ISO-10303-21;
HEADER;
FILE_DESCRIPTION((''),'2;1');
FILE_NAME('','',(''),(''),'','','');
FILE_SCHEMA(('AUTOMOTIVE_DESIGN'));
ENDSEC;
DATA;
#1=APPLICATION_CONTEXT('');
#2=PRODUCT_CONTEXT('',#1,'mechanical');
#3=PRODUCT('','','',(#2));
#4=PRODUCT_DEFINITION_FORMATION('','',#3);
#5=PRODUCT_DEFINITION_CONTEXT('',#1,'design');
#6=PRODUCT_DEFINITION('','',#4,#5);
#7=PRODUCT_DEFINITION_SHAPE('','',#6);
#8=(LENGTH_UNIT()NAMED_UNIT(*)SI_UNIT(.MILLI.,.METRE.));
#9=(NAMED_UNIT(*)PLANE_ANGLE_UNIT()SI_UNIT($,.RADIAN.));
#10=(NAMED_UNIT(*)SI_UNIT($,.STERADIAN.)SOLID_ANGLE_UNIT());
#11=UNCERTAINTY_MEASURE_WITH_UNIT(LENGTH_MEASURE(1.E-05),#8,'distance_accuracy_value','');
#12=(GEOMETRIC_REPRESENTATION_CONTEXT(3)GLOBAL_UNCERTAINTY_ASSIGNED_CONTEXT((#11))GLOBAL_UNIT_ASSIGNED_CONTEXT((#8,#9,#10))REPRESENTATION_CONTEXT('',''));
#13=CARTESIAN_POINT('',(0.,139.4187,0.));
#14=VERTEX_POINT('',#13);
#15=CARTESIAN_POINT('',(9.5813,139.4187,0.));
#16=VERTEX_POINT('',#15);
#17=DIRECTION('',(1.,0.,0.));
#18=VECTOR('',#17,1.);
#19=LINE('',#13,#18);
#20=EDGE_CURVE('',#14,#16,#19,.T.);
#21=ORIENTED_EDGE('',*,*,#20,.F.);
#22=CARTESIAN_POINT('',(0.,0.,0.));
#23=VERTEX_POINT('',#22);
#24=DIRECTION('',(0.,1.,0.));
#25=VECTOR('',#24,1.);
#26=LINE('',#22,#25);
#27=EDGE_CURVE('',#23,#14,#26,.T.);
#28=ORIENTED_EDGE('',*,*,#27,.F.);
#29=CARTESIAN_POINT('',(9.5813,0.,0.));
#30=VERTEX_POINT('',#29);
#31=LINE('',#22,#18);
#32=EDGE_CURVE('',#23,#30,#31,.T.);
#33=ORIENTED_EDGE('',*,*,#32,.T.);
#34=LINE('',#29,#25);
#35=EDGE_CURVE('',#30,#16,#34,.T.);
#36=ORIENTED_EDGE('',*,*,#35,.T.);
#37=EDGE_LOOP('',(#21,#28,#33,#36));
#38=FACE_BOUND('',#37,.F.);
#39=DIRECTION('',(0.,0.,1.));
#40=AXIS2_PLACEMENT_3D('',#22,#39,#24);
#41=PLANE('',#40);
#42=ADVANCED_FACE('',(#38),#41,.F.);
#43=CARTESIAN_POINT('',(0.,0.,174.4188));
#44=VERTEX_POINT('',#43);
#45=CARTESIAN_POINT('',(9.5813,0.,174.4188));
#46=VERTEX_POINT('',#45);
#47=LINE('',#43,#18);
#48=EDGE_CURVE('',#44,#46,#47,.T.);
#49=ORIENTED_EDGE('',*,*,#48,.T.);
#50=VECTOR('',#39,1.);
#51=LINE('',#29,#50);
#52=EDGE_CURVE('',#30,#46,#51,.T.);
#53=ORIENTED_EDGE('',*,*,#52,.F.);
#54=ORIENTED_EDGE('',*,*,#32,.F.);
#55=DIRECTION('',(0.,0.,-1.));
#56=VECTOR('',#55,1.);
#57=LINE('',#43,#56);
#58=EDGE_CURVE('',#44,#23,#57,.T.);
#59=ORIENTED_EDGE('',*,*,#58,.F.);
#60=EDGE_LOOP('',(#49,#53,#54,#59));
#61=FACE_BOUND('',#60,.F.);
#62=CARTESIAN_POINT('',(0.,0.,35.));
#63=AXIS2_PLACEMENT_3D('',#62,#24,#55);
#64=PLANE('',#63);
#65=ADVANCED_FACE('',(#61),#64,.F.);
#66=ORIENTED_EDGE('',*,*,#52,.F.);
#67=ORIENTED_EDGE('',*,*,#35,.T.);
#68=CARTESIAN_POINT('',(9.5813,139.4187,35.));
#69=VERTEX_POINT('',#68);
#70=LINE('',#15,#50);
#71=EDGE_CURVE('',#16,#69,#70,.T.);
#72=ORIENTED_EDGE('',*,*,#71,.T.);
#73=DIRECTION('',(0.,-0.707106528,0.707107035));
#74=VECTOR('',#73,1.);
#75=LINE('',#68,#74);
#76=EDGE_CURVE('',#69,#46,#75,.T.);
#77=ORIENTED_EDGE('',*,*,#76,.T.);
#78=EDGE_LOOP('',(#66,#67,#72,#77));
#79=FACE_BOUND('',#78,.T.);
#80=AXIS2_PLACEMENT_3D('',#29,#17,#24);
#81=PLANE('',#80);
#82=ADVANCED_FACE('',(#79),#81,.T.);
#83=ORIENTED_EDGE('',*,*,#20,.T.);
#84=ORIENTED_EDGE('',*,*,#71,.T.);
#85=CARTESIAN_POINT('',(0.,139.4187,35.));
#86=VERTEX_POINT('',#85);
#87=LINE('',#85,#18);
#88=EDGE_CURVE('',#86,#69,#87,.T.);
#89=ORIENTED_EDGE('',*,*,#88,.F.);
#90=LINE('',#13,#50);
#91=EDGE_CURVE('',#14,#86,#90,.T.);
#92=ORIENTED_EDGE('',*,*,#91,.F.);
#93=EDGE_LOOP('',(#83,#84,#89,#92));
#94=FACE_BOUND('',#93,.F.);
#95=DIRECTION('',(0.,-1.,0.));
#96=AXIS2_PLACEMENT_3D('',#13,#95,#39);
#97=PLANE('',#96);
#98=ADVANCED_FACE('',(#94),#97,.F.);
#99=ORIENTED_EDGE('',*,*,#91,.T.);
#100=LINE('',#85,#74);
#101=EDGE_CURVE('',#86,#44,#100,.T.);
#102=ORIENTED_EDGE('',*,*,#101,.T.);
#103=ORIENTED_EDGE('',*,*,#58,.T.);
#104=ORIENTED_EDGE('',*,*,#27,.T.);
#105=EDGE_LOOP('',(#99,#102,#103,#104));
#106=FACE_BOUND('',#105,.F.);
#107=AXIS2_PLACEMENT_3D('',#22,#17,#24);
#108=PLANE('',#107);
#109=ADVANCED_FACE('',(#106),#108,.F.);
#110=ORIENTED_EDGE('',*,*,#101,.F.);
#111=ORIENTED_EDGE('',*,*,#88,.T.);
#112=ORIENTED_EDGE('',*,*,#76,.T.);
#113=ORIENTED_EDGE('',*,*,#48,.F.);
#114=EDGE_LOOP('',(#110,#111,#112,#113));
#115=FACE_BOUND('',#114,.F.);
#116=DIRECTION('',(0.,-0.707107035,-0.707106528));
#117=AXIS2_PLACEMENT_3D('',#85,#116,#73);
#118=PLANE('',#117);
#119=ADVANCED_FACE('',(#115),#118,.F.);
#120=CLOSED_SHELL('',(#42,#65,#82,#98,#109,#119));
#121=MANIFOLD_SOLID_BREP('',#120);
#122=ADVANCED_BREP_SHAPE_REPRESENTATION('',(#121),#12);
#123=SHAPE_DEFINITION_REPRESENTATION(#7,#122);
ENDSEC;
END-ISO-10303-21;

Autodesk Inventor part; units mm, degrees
ref_plane "YZ Plane" through (0, 0, 0) normal (1, 0, 0) x (0, 1, 0)
ref_plane "XZ Plane" through (0, 0, 0) normal (0, 1, 0) x (-1, 0, 0)
ref_plane "XY Plane" through (0, 0, 0) normal (0, 0, 1) x (1, 0, 0)
sketch "Sketch1" plane through (0, 0, 0) normal (1, 0, 0) x (0, 1, 0)
  line L0 (0, 0) -> (139.4187, 0)
  line L1 (139.4187, 0) -> (139.4187, 35)
  line L2 (139.4187, 35) -> (0, 35)
  line L3 (0, 35) -> (0, 0)
  line L4 (139.4187, 35) -> (0, 174.4188)
  line L5 (139.4187, 35) -> (336.5866, 35) construction
  line L6 (0, 174.4188) -> (0, 35)
  dimension "d0" = 139.4187
  dimension "d1" = 35
  dimension "d2" = 135
  dimension "d3" = 174.4187
extrude "Extrusion1" add sketch "Sketch1" along normal blind 9.5813
properties part number "turret_lift" material "Pine"
